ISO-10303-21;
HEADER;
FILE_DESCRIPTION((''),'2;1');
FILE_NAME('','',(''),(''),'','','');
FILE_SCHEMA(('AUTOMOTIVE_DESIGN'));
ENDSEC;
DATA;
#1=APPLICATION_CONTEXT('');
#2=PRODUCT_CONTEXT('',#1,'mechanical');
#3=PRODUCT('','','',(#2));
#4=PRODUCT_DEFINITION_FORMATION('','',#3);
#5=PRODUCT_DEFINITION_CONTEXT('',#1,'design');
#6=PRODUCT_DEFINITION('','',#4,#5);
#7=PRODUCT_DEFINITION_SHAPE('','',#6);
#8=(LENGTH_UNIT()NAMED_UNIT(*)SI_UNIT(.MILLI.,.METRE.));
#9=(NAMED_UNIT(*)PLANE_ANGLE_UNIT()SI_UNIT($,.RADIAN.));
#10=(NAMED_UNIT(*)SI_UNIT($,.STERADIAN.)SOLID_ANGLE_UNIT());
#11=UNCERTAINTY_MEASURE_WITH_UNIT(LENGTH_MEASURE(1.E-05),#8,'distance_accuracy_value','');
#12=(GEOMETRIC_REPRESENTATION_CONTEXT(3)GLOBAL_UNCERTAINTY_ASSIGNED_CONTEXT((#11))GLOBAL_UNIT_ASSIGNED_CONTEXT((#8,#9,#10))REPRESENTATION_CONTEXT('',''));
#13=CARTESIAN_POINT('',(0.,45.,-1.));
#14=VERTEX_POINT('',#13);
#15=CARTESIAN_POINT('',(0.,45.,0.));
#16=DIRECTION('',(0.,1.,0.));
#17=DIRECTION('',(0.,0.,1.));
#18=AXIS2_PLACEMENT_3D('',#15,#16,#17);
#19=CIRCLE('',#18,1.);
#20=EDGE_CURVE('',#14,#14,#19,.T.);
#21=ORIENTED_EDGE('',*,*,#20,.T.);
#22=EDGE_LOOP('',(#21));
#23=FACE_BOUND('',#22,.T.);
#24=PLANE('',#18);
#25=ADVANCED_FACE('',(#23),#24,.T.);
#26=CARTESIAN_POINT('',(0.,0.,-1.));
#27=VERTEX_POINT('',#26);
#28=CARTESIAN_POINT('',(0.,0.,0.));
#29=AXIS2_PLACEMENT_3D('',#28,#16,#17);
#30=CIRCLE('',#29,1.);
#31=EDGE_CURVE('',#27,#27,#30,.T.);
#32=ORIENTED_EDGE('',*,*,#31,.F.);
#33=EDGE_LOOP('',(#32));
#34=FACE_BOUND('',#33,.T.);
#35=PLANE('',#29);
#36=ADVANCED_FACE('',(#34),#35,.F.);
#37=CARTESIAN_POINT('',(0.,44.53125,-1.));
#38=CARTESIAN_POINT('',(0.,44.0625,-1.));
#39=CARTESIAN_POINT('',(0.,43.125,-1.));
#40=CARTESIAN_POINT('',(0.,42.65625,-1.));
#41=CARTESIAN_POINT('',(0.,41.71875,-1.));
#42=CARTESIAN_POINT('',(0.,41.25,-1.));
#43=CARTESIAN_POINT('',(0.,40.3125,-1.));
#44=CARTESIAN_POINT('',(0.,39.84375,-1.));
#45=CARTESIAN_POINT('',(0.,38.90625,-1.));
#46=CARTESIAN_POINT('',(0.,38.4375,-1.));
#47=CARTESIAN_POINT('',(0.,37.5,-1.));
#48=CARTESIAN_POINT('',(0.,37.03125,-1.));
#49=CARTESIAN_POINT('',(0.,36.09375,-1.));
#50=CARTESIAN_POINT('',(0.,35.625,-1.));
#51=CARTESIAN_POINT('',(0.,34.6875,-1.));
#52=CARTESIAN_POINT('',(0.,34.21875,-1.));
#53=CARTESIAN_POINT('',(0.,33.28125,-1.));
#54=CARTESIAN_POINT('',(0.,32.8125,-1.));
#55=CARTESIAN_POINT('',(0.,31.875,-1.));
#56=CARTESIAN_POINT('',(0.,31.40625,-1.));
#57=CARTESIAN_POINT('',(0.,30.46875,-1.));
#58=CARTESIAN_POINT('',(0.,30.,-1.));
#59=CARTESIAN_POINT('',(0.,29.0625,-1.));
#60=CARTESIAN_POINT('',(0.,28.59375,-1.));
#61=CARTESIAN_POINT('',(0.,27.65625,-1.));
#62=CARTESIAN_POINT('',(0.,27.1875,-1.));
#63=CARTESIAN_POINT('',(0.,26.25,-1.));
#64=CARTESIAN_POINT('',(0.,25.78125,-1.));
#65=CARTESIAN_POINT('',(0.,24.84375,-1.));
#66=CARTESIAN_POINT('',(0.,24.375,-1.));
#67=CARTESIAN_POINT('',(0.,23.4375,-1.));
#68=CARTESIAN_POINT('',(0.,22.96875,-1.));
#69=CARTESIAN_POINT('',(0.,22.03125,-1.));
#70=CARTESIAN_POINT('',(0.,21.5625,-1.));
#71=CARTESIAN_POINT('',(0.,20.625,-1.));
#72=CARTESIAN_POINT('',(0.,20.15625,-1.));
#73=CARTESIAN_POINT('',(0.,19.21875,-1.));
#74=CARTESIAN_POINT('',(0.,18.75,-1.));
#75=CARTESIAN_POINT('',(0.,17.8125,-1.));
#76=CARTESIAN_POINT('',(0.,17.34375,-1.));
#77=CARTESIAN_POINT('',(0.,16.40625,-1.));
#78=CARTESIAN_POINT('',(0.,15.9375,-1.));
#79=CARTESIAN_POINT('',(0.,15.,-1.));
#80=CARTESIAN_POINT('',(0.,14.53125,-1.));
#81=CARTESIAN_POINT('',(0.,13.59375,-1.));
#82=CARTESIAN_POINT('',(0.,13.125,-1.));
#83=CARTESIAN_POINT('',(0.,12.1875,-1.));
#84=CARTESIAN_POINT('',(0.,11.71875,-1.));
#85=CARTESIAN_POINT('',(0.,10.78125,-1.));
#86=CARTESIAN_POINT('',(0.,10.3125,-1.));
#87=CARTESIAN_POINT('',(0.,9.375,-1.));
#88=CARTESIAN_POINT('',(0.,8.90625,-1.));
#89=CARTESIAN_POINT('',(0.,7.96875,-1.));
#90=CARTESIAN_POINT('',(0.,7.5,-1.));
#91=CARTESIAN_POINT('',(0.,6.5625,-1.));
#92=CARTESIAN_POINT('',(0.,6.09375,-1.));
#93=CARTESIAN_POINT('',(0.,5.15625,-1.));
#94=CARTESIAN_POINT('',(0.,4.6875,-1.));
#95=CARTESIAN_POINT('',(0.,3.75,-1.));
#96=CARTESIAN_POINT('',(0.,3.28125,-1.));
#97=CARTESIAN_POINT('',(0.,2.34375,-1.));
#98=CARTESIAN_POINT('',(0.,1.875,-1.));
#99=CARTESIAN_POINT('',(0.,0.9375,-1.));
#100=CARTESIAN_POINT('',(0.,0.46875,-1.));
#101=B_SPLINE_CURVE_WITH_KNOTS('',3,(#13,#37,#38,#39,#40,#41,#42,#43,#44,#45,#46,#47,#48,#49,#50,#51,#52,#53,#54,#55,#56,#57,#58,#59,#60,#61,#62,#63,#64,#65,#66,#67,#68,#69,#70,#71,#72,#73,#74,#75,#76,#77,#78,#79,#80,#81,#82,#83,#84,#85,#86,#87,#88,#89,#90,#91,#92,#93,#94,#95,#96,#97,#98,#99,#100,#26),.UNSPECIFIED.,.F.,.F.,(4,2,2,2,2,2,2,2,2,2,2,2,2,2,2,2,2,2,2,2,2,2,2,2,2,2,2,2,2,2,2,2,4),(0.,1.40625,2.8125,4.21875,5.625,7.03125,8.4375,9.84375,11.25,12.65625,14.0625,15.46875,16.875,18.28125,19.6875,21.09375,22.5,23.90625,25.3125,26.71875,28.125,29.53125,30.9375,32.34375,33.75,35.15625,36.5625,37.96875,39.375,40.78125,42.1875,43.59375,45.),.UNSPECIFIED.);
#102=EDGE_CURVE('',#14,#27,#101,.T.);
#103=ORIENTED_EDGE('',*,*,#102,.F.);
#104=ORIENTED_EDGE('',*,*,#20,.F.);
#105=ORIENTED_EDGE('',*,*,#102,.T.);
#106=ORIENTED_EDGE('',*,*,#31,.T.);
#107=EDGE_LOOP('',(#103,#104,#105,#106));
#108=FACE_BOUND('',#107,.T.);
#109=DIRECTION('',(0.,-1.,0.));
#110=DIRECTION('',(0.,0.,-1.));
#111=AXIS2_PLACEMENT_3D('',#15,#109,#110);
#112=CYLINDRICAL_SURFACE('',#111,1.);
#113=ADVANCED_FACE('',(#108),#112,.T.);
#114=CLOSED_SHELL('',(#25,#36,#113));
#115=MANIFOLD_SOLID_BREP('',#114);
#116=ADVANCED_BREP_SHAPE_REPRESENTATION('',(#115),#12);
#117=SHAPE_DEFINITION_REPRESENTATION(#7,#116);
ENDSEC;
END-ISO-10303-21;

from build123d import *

# Parameters (mm, degrees)
SKETCH_1_R      = 1
EXTRUDE_1_DEPTH = 45


with BuildPart() as part:
    # 草图1 → 凸台-拉伸1 (new body)
    with BuildSketch(Plane(origin=(0, 0, 0), x_dir=(1, 0, 0), z_dir=(0, 1, 0))):
        with Locations(Location((0, 0, 0), (0, 0, 90))):
            Circle(SKETCH_1_R)
    extrude(amount=EXTRUDE_1_DEPTH)


solid = part.part
